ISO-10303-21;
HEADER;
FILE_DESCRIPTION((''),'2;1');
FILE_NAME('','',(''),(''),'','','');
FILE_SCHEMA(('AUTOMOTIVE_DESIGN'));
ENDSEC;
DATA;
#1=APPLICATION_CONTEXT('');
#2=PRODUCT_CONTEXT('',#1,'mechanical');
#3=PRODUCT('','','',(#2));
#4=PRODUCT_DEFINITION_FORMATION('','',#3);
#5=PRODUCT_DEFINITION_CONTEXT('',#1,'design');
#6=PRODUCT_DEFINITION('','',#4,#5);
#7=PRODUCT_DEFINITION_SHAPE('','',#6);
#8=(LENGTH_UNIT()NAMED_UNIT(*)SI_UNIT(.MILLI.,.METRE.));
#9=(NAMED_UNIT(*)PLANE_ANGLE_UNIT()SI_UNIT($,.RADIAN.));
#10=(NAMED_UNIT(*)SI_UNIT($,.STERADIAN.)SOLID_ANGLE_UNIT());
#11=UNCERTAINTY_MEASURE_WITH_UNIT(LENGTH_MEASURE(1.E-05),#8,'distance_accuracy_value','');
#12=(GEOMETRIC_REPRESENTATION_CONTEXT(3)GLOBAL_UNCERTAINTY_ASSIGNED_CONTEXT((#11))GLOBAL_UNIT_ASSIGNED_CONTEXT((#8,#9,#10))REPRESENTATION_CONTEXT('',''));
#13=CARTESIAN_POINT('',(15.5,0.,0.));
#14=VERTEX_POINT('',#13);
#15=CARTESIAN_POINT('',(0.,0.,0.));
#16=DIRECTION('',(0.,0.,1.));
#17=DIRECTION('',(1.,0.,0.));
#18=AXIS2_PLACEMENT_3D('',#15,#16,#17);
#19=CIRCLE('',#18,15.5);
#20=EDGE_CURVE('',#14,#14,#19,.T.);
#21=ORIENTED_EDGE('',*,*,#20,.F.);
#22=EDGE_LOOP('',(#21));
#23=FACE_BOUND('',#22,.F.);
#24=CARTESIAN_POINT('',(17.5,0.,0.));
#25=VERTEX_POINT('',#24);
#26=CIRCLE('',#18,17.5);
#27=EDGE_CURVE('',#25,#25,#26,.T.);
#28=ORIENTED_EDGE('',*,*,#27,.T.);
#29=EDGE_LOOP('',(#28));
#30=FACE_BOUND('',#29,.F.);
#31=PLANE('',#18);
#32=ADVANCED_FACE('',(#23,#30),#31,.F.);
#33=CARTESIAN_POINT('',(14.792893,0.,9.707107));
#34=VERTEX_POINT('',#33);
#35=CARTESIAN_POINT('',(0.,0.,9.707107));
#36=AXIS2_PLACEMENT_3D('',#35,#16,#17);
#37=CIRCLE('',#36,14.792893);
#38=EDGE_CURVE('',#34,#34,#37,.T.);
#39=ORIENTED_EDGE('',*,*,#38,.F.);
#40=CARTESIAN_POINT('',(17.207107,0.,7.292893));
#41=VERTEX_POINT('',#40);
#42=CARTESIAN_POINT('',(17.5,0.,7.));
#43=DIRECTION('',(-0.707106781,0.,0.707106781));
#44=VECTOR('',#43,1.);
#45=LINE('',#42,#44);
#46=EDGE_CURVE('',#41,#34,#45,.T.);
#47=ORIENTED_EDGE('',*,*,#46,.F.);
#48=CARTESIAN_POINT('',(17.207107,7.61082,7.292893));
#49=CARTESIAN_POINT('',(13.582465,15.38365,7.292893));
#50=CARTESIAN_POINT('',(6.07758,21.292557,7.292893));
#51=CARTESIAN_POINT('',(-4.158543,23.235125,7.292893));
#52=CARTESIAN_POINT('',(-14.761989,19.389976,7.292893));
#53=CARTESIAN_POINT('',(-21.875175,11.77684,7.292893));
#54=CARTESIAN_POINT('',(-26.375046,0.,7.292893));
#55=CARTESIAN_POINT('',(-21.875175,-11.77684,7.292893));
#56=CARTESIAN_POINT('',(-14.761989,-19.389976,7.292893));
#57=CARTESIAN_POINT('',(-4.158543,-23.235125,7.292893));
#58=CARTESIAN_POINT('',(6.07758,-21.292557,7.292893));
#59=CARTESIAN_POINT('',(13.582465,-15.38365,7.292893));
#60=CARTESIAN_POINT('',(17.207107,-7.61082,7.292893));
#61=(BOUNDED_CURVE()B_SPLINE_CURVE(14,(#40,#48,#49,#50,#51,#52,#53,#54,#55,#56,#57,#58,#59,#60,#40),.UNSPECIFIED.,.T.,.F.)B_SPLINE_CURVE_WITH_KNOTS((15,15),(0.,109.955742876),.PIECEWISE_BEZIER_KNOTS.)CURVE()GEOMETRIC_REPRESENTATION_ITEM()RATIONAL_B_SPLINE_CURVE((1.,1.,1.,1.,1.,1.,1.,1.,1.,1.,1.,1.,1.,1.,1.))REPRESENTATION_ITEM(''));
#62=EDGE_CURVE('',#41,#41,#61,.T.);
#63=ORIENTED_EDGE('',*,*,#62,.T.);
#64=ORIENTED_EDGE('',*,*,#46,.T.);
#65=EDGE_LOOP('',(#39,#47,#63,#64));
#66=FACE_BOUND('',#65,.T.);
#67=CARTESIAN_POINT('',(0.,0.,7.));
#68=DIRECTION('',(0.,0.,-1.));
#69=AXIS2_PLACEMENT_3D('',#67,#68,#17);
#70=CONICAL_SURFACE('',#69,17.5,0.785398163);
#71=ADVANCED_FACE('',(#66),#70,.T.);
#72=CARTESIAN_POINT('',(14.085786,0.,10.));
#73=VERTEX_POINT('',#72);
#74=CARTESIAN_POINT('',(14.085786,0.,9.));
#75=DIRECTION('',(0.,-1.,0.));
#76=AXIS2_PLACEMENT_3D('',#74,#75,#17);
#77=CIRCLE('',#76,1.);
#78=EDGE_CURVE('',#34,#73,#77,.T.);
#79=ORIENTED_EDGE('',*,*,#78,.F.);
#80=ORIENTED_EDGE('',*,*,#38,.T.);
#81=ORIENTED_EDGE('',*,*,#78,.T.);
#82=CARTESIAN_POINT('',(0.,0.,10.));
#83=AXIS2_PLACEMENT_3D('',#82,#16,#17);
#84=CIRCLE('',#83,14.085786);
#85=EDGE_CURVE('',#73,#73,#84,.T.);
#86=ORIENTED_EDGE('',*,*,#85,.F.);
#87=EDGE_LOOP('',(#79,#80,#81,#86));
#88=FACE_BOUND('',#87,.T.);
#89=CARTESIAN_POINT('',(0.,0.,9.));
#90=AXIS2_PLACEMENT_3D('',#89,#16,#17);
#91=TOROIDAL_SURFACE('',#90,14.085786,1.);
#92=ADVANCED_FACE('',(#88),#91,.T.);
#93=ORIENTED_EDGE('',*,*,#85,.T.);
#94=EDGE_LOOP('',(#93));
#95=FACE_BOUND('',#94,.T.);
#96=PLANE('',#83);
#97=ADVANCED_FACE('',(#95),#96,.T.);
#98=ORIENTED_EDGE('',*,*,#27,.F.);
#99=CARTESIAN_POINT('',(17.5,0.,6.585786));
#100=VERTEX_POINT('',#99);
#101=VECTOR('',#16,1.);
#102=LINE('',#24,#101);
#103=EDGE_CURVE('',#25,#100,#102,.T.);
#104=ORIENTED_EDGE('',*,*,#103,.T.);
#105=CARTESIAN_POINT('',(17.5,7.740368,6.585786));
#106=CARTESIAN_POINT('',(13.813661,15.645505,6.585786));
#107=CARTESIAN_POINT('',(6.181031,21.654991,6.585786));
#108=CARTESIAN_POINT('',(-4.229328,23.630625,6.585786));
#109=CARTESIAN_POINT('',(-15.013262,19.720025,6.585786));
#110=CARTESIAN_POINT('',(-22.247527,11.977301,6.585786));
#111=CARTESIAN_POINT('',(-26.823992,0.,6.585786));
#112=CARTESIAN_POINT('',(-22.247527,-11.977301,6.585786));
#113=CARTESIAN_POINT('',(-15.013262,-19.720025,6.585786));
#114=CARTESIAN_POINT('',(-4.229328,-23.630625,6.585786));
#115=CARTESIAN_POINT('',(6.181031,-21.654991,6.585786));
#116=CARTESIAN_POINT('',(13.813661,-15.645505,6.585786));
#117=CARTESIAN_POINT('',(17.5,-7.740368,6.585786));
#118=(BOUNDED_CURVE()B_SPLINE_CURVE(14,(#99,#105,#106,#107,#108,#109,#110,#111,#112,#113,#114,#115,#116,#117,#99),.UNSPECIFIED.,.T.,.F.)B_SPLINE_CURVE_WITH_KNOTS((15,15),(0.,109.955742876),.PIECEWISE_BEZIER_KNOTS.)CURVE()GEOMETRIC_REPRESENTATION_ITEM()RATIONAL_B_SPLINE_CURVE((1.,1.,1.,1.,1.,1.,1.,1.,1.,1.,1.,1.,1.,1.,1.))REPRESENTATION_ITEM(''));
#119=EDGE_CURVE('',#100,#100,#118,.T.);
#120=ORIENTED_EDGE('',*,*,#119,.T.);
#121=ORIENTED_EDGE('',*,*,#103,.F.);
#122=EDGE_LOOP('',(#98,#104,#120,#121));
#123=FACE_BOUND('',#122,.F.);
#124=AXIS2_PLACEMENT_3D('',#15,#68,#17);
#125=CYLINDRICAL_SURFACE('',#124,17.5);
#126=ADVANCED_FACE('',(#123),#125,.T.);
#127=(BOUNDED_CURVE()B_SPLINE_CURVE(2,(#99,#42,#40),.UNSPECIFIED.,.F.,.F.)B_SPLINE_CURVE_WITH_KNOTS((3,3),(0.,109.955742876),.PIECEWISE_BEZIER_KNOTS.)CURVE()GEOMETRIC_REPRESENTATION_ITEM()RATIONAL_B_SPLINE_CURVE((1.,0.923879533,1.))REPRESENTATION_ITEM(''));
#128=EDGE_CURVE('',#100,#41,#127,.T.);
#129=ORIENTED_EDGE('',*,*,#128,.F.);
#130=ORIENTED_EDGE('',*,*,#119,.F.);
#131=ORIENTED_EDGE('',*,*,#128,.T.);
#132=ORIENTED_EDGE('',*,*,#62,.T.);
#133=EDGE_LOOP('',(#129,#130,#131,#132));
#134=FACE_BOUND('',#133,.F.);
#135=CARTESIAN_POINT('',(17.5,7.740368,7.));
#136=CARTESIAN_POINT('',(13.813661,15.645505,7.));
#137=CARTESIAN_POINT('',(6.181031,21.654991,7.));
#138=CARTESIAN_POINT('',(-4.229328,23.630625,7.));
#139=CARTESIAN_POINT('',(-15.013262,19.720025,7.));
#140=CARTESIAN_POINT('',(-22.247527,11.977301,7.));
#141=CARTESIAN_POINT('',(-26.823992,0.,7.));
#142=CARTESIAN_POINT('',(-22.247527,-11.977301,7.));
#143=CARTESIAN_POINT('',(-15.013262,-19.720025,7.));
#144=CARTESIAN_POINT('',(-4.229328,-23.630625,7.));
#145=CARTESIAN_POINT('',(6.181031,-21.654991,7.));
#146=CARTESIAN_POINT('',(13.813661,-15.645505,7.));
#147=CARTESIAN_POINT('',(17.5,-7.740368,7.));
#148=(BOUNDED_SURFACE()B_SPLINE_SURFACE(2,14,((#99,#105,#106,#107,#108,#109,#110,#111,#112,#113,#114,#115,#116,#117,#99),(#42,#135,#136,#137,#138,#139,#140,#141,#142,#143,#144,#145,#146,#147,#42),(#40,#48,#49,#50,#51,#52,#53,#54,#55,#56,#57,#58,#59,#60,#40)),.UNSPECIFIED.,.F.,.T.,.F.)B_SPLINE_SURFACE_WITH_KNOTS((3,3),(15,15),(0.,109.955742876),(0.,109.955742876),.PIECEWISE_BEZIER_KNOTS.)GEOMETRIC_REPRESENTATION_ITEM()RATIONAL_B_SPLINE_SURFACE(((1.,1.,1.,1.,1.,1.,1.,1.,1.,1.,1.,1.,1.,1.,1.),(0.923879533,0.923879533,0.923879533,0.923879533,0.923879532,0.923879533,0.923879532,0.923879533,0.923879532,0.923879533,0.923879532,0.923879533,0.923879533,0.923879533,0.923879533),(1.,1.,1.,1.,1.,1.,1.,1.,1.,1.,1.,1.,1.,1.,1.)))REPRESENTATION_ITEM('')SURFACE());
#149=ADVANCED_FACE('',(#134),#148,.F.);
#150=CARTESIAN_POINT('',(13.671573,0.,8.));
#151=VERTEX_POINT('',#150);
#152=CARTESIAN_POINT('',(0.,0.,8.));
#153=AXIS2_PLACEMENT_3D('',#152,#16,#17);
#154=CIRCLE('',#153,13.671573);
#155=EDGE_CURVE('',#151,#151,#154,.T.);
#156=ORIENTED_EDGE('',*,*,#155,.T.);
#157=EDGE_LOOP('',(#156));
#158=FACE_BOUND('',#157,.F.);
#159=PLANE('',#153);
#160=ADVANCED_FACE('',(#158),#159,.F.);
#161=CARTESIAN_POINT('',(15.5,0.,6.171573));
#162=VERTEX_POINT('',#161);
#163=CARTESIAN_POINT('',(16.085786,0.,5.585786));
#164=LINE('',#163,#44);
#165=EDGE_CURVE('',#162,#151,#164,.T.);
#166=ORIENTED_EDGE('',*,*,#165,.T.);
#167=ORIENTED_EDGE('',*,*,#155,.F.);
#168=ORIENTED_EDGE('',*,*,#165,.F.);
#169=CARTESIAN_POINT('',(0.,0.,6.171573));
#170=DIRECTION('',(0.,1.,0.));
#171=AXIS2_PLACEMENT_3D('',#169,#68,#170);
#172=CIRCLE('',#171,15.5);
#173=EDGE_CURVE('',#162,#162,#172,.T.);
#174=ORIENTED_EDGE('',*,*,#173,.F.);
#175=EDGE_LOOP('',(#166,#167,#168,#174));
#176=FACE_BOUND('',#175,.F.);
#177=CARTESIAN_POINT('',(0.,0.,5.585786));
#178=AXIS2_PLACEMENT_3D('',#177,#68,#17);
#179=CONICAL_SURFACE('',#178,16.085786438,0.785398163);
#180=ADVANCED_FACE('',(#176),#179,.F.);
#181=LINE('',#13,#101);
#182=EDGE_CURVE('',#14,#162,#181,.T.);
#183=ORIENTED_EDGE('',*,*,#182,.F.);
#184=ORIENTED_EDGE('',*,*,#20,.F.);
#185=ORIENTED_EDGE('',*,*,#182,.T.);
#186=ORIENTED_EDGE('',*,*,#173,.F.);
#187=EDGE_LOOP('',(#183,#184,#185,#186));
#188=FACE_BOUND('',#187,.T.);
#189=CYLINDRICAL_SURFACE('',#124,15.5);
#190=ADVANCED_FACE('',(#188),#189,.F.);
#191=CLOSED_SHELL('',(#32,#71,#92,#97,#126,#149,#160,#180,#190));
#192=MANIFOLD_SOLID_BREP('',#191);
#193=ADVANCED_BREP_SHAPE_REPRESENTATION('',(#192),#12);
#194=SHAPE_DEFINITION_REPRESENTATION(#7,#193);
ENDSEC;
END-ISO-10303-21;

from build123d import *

# Parameters (mm, degrees)
F0_R     = 17.5
F1_DEPTH = 10
F2_SIZE  = 3
F3_R     = 1
F4_T     = -2


with BuildPart() as f1:
    # F0 (on Top) → F1 (new body)
    with BuildSketch(Plane.XY):
        Circle(F0_R)
    extrude(amount=F1_DEPTH)

    # F2
    f2_edges = [f1.edges().sort_by_distance(p)[0] for p in [
        (-17.5, 0, 10),
    ]]
    chamfer(f2_edges, length=F2_SIZE)

    # F3
    f3_edges = [f1.edges().sort_by_distance(p)[0] for p in [
        (16, 0, 8.5),
        (-17.5, 0, 7),
        (-14.5, 0, 10),
    ]]
    fillet(f3_edges, radius=F3_R)

    # F4
    f4_openings = [f1.faces().sort_by_distance(p)[0] for p in [
        (0, 0, 0),
    ]]
    offset(amount=F4_T, openings=f4_openings)


solid = f1.part
